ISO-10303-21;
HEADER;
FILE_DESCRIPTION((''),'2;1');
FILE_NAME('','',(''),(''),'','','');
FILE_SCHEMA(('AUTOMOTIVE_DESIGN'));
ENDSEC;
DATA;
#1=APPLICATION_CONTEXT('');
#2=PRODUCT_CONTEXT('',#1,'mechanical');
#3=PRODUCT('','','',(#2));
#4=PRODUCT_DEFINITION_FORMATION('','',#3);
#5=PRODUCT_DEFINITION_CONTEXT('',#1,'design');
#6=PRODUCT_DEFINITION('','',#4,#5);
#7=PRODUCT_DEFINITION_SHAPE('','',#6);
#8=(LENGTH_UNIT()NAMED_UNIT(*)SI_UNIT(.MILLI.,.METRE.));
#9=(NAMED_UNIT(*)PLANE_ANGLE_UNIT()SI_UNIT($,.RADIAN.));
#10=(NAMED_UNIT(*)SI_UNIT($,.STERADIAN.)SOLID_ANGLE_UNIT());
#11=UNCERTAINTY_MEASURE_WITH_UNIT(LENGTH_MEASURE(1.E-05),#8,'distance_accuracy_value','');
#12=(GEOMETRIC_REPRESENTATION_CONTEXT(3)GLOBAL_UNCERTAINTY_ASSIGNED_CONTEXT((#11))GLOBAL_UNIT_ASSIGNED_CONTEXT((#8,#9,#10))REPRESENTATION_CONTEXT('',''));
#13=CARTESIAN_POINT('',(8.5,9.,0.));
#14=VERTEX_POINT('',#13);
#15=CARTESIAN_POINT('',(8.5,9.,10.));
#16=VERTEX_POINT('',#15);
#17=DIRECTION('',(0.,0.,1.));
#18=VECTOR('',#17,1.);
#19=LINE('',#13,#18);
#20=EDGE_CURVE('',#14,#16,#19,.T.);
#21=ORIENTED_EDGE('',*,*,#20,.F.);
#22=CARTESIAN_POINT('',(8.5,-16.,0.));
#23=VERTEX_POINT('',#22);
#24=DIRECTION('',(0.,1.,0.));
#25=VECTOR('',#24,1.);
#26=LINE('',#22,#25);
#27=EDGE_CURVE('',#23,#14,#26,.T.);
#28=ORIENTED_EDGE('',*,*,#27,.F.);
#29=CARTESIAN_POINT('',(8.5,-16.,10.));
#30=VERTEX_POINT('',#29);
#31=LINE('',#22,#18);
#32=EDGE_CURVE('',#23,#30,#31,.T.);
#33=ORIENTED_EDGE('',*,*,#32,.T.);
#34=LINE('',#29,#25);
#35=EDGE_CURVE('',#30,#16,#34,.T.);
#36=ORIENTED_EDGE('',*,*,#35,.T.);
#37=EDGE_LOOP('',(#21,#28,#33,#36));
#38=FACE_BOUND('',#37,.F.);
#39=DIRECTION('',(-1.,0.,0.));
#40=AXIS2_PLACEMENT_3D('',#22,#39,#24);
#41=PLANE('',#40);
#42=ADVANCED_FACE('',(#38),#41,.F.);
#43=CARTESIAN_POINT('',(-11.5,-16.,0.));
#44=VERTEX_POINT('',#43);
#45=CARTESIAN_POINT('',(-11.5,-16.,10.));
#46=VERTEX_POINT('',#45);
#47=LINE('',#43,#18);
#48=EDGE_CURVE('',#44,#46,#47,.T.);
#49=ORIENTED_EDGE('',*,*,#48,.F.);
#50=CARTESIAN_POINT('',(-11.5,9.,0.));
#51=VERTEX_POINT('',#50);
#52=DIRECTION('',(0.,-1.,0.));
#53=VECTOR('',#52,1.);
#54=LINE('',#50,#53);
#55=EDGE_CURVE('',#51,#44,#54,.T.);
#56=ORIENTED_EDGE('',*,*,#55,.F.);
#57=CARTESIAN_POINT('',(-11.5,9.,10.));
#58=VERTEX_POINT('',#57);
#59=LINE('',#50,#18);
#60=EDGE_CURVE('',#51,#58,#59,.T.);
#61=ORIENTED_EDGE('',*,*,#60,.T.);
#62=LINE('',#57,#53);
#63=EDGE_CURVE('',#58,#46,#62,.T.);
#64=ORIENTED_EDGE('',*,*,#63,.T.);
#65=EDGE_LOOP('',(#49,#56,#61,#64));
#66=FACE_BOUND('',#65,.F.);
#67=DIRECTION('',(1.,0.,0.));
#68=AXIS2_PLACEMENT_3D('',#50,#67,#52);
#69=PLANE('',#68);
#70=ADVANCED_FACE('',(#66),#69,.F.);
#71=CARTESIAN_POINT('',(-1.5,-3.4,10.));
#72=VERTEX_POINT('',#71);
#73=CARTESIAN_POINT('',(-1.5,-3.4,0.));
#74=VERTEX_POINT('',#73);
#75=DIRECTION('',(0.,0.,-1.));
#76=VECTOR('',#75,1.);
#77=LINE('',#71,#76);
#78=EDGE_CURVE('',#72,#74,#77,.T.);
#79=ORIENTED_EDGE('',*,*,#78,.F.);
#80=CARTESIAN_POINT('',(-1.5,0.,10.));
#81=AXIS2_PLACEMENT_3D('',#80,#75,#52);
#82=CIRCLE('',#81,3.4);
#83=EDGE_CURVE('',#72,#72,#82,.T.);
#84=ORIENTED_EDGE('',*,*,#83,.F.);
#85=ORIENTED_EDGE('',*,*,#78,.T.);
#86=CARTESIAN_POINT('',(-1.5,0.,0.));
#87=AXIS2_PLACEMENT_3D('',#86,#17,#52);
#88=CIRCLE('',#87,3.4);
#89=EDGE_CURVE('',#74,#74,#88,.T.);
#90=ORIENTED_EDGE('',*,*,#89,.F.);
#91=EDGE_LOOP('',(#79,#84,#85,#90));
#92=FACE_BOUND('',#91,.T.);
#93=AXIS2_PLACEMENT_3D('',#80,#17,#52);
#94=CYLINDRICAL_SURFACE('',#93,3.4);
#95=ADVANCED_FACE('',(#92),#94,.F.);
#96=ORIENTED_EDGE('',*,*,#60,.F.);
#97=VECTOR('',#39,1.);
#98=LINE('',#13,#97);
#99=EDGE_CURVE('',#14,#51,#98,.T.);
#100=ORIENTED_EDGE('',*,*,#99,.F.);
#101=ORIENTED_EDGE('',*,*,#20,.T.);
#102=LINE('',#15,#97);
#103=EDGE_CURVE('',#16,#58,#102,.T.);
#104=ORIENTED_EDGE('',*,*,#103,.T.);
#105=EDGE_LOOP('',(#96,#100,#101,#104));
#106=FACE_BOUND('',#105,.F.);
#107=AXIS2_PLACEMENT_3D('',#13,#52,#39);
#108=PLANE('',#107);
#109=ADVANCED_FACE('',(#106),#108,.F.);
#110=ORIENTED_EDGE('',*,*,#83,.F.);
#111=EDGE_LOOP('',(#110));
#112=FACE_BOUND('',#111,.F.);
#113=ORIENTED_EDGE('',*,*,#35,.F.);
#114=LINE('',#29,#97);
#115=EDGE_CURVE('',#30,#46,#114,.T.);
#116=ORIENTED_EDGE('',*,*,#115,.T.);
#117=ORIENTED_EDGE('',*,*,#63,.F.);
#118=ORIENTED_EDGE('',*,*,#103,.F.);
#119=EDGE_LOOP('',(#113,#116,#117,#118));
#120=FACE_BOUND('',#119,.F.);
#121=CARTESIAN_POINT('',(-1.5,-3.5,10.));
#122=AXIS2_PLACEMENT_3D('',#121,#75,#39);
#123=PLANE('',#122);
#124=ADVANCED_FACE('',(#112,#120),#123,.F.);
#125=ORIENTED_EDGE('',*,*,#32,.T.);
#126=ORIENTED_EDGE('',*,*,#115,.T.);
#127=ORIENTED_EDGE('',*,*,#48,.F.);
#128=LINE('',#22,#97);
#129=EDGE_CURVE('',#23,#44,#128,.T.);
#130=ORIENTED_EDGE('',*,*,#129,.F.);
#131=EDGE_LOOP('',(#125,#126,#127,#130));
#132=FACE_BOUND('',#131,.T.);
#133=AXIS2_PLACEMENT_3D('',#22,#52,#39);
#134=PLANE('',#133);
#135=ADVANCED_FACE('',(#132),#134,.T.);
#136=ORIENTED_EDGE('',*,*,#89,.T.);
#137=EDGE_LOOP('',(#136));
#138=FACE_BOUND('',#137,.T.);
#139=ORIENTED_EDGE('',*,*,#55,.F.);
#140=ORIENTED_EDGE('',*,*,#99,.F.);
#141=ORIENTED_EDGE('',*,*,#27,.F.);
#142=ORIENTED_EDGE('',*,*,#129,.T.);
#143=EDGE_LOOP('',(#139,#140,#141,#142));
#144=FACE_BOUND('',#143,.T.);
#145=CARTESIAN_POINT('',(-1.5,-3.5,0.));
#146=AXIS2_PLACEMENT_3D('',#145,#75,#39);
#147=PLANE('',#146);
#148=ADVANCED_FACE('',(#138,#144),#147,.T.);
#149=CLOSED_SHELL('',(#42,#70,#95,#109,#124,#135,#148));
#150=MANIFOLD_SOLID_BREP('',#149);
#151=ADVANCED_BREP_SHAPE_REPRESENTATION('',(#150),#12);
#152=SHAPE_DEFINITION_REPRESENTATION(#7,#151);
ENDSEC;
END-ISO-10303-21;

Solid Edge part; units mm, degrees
sketch "Sketch1" plane through (0, 0, 0) normal (0, 0, 1) x (1, 0, 0)
  line L0 (8.5, -16) -> (-11.5, -16)
  line L1 (-11.5, 9) -> (-11.5, -16)
  line L2 (8.5, 9) -> (-11.5, 9)
  line L3 (8.5, -16) -> (8.5, 9)
extrude "Protrusion1" add sketch "Sketch1" along normal blind 10
hole "Hole1" at (-1.5, 0, 10) direction (0, 0, -1) diameter 6.8 end through all
properties part number "66669"
